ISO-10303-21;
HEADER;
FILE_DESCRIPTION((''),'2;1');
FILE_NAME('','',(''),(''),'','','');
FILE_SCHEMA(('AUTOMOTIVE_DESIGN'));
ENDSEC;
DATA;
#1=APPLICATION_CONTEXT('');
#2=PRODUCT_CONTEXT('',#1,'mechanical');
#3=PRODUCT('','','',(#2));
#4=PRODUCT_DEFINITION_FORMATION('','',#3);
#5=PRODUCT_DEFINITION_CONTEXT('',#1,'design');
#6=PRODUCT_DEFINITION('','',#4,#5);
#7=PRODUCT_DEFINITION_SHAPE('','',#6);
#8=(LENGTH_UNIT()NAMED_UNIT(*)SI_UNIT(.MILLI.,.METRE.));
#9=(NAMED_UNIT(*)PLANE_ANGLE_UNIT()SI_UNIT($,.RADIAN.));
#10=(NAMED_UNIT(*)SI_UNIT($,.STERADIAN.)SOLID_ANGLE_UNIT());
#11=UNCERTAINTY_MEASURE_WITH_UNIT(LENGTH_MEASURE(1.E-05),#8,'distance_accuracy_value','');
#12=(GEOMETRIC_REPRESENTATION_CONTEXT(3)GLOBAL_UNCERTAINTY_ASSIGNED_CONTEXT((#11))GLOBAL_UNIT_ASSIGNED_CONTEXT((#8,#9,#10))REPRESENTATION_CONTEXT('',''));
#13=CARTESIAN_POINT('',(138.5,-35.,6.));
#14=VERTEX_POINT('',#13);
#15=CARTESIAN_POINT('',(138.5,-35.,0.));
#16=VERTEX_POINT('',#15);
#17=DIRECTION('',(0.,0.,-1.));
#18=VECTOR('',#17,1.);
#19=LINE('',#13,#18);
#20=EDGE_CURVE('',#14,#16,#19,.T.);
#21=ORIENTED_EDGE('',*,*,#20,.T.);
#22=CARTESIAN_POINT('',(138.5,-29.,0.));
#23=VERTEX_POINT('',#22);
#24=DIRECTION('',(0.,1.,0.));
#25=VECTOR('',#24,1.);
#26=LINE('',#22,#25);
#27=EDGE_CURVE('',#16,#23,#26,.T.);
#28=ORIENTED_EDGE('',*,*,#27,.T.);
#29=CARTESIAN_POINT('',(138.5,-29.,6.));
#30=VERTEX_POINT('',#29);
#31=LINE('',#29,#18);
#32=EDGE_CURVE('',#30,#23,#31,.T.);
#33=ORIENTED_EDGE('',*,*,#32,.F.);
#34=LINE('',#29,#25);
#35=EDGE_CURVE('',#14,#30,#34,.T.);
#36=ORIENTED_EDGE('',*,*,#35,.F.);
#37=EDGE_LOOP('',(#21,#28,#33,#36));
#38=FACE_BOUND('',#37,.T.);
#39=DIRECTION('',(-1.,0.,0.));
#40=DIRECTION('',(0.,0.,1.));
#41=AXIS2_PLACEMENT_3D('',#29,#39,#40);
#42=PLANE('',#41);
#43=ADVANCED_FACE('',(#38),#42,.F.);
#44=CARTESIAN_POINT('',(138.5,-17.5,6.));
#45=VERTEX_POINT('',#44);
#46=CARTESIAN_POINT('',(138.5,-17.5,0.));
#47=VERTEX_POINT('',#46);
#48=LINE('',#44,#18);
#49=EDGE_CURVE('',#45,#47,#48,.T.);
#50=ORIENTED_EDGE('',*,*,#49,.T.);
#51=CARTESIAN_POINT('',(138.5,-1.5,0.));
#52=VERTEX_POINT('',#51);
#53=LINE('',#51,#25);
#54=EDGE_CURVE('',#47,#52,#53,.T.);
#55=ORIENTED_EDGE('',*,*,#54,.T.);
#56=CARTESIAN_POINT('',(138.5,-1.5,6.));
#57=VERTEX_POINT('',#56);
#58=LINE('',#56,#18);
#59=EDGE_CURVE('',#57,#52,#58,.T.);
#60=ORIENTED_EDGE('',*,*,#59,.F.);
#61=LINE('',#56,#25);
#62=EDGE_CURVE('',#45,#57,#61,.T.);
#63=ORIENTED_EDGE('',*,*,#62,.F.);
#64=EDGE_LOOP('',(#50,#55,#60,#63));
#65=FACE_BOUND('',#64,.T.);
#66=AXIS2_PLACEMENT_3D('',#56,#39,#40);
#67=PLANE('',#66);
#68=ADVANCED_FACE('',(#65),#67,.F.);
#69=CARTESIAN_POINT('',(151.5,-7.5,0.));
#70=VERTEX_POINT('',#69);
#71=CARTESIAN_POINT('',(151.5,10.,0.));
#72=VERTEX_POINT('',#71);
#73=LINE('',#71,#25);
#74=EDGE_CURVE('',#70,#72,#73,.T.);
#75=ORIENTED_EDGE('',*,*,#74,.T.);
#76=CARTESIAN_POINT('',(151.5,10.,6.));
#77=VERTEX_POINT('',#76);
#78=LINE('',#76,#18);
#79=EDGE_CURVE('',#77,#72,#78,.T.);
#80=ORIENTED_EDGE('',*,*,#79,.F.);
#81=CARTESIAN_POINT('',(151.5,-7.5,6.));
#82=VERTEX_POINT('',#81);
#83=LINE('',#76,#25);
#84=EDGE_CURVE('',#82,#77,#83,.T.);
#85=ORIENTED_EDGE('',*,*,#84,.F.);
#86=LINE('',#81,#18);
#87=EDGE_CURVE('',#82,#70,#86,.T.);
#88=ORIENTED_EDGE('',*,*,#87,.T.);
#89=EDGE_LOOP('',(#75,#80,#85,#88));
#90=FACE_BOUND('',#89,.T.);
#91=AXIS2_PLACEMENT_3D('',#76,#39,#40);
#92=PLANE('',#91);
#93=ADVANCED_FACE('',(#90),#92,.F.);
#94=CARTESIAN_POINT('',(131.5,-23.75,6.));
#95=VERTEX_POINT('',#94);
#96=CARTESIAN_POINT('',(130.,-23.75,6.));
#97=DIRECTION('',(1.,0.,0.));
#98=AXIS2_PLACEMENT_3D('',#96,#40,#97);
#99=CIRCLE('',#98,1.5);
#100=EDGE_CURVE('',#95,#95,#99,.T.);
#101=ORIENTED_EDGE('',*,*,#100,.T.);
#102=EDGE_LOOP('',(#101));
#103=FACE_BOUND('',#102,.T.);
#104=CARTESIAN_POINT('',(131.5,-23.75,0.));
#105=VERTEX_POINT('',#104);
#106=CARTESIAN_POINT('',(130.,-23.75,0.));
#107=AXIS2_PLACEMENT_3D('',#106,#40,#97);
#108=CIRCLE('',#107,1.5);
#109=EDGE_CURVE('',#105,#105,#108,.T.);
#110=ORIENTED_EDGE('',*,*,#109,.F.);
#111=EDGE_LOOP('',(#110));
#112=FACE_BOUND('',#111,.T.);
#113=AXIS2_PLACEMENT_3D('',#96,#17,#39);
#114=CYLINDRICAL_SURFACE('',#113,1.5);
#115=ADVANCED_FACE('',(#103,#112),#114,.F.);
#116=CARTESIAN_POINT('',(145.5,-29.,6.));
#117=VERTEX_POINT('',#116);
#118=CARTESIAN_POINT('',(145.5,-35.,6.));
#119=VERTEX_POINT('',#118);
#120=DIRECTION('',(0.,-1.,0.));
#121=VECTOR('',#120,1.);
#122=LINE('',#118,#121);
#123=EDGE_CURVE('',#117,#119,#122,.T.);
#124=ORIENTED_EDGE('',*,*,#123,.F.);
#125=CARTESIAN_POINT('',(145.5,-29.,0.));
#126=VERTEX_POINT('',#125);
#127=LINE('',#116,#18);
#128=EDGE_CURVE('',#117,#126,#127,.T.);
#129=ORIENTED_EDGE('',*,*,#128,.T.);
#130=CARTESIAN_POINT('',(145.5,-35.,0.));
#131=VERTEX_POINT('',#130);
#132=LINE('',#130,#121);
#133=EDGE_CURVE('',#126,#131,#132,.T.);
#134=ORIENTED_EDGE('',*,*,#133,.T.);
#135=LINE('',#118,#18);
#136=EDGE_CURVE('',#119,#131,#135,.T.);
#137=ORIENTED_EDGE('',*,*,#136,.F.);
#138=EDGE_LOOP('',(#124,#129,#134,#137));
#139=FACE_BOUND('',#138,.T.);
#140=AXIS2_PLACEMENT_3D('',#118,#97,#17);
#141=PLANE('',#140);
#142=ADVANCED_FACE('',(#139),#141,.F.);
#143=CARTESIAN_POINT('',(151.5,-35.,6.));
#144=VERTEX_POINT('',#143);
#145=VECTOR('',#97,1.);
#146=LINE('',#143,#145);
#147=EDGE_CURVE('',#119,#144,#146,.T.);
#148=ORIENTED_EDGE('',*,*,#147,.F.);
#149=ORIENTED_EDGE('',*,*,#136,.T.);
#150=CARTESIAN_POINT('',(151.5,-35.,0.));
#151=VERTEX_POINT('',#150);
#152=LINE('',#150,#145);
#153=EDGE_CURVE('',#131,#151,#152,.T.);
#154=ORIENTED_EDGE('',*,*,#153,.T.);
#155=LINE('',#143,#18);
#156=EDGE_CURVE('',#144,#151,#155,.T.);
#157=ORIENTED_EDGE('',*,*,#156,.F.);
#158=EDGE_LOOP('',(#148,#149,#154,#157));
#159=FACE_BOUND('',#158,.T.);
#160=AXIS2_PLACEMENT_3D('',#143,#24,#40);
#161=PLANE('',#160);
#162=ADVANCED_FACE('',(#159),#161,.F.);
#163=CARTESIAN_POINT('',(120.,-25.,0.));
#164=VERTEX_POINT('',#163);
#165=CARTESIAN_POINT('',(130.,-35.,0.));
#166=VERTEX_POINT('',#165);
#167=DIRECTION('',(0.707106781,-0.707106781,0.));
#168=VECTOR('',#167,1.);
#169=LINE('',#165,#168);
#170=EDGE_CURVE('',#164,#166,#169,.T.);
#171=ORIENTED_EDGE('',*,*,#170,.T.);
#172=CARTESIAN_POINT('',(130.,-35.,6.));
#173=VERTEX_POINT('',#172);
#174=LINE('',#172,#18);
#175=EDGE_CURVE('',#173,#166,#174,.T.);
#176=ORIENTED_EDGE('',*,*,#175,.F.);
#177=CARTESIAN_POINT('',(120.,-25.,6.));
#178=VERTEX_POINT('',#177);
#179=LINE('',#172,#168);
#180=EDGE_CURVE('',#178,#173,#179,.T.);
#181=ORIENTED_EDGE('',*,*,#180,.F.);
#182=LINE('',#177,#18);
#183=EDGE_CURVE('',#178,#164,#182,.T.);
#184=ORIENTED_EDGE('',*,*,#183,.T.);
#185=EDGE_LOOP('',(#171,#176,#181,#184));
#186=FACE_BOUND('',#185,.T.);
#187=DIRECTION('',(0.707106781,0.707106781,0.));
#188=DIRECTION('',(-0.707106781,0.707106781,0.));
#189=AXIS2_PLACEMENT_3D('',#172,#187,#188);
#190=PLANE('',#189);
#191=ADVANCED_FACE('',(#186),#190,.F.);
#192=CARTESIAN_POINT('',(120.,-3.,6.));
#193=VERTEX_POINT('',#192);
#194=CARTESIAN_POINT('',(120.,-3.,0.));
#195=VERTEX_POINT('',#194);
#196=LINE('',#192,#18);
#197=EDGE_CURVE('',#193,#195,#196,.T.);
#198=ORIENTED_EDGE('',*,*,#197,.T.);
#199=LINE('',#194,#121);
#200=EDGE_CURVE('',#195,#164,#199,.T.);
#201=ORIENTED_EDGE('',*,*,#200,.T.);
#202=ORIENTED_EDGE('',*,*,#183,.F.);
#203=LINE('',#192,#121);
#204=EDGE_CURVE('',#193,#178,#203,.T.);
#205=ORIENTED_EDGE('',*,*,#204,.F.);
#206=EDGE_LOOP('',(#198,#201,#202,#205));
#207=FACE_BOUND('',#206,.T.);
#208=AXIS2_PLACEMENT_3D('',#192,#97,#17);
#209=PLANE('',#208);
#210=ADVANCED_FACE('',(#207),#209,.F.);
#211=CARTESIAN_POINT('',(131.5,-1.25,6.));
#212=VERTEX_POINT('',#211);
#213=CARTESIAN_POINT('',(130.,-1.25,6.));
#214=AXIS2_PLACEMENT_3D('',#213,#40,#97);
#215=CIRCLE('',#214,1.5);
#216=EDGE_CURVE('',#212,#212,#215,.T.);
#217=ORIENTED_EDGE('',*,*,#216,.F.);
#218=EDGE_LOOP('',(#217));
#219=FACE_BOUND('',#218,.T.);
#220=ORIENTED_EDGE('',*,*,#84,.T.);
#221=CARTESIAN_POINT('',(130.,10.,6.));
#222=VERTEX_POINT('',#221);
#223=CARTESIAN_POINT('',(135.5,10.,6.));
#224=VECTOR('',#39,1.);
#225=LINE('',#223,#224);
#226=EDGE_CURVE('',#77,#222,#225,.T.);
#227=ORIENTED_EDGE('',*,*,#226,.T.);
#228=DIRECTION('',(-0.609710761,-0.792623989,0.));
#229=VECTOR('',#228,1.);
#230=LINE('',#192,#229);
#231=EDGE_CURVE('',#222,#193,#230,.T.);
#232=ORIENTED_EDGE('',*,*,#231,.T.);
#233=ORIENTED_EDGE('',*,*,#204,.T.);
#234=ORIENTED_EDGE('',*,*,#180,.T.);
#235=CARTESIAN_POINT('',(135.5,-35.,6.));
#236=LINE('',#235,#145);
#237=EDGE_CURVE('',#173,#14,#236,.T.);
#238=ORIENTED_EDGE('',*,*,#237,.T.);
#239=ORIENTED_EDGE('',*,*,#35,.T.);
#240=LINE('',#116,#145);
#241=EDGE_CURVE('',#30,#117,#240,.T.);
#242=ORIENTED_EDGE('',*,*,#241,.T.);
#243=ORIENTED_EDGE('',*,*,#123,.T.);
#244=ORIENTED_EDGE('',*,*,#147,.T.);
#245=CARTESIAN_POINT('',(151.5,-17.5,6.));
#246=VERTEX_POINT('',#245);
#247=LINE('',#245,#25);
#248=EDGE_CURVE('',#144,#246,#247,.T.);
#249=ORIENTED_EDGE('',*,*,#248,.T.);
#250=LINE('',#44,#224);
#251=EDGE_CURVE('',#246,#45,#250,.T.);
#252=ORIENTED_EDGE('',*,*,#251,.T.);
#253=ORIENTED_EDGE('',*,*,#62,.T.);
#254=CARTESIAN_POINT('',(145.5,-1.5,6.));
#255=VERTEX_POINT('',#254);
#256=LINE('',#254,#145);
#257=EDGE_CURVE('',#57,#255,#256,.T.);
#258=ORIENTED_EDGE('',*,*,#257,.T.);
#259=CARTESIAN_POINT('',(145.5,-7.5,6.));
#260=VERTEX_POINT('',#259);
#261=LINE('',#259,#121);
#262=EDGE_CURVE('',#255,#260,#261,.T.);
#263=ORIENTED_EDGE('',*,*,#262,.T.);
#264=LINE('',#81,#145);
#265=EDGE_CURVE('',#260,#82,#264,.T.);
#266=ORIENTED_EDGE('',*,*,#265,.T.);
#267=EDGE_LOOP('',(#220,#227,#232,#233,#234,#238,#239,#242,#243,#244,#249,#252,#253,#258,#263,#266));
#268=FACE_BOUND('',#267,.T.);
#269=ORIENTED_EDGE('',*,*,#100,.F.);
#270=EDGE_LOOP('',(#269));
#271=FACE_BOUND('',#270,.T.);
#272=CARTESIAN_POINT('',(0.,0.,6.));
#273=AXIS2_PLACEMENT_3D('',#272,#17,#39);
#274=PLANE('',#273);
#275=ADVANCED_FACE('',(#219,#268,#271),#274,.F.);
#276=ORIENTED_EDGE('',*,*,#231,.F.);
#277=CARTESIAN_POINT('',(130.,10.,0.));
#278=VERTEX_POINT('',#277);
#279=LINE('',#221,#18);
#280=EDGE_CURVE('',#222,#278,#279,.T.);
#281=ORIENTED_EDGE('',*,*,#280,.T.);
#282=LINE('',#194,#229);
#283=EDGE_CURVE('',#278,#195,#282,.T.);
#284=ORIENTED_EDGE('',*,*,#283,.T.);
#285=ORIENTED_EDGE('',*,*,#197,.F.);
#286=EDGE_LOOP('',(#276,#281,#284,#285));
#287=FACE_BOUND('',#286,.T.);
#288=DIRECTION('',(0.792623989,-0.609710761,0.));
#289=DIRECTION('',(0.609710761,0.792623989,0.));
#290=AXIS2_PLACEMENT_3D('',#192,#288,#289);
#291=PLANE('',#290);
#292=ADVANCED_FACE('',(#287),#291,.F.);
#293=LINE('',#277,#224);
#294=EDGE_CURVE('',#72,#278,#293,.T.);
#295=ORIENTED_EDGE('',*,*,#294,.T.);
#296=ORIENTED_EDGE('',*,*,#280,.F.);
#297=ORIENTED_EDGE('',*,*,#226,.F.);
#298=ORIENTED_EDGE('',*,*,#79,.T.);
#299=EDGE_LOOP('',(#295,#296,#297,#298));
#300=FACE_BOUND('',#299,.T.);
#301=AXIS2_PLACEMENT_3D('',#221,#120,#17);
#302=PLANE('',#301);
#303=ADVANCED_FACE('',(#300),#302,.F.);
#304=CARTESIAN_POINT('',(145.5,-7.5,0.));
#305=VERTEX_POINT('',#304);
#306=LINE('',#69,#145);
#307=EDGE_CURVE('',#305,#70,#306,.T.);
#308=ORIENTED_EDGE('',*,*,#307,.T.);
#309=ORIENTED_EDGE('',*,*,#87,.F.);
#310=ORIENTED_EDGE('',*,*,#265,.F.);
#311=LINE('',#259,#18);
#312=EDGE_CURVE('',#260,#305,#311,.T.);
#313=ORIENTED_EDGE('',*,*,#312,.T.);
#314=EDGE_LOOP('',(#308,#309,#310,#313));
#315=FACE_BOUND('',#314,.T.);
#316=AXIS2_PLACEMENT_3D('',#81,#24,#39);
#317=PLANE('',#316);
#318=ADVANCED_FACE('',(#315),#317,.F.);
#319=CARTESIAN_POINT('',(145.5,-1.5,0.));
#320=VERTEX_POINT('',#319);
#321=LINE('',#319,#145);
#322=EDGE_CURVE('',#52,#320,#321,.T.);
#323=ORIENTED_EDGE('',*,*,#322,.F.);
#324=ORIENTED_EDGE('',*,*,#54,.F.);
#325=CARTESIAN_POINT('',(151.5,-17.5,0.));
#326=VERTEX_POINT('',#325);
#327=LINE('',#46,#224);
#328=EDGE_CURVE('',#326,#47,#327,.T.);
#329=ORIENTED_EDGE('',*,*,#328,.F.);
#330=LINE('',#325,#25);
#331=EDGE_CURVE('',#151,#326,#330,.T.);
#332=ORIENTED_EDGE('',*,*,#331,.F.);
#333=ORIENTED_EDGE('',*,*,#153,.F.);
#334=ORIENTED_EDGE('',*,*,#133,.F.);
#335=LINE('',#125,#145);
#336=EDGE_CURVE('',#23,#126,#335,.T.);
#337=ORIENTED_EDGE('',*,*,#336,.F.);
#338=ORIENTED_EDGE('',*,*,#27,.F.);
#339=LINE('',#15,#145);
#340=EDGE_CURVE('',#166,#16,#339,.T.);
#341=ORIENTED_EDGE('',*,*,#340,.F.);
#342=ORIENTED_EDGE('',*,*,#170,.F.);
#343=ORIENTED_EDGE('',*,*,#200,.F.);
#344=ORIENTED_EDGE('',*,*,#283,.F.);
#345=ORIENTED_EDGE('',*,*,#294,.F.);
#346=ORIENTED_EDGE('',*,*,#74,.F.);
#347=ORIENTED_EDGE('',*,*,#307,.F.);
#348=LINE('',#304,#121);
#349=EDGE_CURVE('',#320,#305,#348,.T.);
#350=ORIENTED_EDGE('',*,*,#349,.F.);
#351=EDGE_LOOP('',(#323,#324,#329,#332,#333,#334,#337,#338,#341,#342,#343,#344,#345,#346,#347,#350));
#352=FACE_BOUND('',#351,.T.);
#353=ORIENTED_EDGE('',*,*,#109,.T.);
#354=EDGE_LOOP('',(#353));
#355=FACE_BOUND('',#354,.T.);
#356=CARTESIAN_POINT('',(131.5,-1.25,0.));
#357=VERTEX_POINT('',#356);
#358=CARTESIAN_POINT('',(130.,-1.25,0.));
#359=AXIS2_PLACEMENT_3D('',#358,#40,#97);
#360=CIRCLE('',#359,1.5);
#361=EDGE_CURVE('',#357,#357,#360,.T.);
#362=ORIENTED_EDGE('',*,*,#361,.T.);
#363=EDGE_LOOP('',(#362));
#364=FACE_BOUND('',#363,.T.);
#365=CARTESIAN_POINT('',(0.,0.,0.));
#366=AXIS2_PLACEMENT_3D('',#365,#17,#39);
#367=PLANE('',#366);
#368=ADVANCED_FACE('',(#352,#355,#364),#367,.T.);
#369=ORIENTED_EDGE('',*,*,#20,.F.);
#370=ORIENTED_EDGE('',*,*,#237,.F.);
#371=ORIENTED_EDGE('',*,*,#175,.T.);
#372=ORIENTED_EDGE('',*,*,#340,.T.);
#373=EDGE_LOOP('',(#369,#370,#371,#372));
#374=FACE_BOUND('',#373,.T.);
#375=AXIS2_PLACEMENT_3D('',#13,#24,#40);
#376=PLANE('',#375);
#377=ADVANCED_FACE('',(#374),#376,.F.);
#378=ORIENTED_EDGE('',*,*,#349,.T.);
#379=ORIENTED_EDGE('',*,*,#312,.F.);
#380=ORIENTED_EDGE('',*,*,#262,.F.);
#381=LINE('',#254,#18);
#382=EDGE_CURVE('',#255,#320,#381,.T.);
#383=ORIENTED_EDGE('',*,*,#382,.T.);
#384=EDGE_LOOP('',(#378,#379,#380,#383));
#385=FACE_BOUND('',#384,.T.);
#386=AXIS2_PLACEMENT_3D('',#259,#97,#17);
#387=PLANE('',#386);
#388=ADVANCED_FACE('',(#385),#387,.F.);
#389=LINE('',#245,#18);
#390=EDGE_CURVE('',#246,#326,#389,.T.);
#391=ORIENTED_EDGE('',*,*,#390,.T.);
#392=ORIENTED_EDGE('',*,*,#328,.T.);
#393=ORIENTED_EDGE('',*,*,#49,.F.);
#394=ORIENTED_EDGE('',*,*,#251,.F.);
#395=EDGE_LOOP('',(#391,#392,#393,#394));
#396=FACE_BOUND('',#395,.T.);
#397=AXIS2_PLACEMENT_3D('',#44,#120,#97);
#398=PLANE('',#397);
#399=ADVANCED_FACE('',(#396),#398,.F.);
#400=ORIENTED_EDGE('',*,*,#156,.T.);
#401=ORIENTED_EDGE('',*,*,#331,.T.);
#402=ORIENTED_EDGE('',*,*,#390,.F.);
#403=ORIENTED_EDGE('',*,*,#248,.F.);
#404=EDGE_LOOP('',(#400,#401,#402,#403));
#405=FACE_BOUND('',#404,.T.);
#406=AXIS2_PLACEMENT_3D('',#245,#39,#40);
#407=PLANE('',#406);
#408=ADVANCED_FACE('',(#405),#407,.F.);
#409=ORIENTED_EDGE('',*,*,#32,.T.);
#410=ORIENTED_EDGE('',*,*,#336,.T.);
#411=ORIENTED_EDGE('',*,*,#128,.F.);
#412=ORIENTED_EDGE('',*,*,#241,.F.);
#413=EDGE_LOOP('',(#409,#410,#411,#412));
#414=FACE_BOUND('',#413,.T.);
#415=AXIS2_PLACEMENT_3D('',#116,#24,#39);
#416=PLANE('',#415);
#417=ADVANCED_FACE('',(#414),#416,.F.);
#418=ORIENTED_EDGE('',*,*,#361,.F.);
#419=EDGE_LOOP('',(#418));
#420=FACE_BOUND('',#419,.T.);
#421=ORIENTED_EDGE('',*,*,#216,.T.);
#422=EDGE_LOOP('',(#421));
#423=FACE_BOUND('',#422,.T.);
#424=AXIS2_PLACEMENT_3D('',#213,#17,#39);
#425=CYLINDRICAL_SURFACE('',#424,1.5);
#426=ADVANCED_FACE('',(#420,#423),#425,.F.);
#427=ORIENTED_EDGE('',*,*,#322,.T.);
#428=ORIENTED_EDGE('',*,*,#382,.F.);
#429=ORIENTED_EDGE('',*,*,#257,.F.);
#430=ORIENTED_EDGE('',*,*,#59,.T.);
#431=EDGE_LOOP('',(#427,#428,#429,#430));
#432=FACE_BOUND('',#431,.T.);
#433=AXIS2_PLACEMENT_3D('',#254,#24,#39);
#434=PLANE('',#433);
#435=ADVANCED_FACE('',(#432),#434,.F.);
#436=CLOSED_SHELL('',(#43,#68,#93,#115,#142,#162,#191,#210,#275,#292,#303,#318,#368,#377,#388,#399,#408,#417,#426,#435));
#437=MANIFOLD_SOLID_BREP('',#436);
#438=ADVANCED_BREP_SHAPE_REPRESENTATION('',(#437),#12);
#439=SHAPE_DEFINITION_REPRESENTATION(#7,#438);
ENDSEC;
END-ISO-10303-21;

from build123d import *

# Parameters (mm, degrees)
SKETCH1_R           = 1.5
BOSS_EXTRUDE1_DEPTH = 6


with BuildPart() as part:
    # Sketch1 → Boss-Extrude1 (new body)
    with BuildSketch(Plane.XY):
        Polygon((120, -3), (130, 10), (135.5, 10), (151.5, 10), (151.5, -7.5), (145.5, -7.5), (145.5, -1.5), (138.5, -1.5), (138.5, -17.5), (151.5, -17.5), (151.5, -35), (145.5, -35), (145.5, -29), (138.5, -29), (138.5, -35), (135.5, -35), (130, -35), (120, -25), align=None)
        with Locations((130, -1.25)):
            Circle(SKETCH1_R, mode=Mode.SUBTRACT)
        with Locations((130, -23.75)):
            Circle(SKETCH1_R, mode=Mode.SUBTRACT)
    extrude(amount=BOSS_EXTRUDE1_DEPTH)


solid = part.part
